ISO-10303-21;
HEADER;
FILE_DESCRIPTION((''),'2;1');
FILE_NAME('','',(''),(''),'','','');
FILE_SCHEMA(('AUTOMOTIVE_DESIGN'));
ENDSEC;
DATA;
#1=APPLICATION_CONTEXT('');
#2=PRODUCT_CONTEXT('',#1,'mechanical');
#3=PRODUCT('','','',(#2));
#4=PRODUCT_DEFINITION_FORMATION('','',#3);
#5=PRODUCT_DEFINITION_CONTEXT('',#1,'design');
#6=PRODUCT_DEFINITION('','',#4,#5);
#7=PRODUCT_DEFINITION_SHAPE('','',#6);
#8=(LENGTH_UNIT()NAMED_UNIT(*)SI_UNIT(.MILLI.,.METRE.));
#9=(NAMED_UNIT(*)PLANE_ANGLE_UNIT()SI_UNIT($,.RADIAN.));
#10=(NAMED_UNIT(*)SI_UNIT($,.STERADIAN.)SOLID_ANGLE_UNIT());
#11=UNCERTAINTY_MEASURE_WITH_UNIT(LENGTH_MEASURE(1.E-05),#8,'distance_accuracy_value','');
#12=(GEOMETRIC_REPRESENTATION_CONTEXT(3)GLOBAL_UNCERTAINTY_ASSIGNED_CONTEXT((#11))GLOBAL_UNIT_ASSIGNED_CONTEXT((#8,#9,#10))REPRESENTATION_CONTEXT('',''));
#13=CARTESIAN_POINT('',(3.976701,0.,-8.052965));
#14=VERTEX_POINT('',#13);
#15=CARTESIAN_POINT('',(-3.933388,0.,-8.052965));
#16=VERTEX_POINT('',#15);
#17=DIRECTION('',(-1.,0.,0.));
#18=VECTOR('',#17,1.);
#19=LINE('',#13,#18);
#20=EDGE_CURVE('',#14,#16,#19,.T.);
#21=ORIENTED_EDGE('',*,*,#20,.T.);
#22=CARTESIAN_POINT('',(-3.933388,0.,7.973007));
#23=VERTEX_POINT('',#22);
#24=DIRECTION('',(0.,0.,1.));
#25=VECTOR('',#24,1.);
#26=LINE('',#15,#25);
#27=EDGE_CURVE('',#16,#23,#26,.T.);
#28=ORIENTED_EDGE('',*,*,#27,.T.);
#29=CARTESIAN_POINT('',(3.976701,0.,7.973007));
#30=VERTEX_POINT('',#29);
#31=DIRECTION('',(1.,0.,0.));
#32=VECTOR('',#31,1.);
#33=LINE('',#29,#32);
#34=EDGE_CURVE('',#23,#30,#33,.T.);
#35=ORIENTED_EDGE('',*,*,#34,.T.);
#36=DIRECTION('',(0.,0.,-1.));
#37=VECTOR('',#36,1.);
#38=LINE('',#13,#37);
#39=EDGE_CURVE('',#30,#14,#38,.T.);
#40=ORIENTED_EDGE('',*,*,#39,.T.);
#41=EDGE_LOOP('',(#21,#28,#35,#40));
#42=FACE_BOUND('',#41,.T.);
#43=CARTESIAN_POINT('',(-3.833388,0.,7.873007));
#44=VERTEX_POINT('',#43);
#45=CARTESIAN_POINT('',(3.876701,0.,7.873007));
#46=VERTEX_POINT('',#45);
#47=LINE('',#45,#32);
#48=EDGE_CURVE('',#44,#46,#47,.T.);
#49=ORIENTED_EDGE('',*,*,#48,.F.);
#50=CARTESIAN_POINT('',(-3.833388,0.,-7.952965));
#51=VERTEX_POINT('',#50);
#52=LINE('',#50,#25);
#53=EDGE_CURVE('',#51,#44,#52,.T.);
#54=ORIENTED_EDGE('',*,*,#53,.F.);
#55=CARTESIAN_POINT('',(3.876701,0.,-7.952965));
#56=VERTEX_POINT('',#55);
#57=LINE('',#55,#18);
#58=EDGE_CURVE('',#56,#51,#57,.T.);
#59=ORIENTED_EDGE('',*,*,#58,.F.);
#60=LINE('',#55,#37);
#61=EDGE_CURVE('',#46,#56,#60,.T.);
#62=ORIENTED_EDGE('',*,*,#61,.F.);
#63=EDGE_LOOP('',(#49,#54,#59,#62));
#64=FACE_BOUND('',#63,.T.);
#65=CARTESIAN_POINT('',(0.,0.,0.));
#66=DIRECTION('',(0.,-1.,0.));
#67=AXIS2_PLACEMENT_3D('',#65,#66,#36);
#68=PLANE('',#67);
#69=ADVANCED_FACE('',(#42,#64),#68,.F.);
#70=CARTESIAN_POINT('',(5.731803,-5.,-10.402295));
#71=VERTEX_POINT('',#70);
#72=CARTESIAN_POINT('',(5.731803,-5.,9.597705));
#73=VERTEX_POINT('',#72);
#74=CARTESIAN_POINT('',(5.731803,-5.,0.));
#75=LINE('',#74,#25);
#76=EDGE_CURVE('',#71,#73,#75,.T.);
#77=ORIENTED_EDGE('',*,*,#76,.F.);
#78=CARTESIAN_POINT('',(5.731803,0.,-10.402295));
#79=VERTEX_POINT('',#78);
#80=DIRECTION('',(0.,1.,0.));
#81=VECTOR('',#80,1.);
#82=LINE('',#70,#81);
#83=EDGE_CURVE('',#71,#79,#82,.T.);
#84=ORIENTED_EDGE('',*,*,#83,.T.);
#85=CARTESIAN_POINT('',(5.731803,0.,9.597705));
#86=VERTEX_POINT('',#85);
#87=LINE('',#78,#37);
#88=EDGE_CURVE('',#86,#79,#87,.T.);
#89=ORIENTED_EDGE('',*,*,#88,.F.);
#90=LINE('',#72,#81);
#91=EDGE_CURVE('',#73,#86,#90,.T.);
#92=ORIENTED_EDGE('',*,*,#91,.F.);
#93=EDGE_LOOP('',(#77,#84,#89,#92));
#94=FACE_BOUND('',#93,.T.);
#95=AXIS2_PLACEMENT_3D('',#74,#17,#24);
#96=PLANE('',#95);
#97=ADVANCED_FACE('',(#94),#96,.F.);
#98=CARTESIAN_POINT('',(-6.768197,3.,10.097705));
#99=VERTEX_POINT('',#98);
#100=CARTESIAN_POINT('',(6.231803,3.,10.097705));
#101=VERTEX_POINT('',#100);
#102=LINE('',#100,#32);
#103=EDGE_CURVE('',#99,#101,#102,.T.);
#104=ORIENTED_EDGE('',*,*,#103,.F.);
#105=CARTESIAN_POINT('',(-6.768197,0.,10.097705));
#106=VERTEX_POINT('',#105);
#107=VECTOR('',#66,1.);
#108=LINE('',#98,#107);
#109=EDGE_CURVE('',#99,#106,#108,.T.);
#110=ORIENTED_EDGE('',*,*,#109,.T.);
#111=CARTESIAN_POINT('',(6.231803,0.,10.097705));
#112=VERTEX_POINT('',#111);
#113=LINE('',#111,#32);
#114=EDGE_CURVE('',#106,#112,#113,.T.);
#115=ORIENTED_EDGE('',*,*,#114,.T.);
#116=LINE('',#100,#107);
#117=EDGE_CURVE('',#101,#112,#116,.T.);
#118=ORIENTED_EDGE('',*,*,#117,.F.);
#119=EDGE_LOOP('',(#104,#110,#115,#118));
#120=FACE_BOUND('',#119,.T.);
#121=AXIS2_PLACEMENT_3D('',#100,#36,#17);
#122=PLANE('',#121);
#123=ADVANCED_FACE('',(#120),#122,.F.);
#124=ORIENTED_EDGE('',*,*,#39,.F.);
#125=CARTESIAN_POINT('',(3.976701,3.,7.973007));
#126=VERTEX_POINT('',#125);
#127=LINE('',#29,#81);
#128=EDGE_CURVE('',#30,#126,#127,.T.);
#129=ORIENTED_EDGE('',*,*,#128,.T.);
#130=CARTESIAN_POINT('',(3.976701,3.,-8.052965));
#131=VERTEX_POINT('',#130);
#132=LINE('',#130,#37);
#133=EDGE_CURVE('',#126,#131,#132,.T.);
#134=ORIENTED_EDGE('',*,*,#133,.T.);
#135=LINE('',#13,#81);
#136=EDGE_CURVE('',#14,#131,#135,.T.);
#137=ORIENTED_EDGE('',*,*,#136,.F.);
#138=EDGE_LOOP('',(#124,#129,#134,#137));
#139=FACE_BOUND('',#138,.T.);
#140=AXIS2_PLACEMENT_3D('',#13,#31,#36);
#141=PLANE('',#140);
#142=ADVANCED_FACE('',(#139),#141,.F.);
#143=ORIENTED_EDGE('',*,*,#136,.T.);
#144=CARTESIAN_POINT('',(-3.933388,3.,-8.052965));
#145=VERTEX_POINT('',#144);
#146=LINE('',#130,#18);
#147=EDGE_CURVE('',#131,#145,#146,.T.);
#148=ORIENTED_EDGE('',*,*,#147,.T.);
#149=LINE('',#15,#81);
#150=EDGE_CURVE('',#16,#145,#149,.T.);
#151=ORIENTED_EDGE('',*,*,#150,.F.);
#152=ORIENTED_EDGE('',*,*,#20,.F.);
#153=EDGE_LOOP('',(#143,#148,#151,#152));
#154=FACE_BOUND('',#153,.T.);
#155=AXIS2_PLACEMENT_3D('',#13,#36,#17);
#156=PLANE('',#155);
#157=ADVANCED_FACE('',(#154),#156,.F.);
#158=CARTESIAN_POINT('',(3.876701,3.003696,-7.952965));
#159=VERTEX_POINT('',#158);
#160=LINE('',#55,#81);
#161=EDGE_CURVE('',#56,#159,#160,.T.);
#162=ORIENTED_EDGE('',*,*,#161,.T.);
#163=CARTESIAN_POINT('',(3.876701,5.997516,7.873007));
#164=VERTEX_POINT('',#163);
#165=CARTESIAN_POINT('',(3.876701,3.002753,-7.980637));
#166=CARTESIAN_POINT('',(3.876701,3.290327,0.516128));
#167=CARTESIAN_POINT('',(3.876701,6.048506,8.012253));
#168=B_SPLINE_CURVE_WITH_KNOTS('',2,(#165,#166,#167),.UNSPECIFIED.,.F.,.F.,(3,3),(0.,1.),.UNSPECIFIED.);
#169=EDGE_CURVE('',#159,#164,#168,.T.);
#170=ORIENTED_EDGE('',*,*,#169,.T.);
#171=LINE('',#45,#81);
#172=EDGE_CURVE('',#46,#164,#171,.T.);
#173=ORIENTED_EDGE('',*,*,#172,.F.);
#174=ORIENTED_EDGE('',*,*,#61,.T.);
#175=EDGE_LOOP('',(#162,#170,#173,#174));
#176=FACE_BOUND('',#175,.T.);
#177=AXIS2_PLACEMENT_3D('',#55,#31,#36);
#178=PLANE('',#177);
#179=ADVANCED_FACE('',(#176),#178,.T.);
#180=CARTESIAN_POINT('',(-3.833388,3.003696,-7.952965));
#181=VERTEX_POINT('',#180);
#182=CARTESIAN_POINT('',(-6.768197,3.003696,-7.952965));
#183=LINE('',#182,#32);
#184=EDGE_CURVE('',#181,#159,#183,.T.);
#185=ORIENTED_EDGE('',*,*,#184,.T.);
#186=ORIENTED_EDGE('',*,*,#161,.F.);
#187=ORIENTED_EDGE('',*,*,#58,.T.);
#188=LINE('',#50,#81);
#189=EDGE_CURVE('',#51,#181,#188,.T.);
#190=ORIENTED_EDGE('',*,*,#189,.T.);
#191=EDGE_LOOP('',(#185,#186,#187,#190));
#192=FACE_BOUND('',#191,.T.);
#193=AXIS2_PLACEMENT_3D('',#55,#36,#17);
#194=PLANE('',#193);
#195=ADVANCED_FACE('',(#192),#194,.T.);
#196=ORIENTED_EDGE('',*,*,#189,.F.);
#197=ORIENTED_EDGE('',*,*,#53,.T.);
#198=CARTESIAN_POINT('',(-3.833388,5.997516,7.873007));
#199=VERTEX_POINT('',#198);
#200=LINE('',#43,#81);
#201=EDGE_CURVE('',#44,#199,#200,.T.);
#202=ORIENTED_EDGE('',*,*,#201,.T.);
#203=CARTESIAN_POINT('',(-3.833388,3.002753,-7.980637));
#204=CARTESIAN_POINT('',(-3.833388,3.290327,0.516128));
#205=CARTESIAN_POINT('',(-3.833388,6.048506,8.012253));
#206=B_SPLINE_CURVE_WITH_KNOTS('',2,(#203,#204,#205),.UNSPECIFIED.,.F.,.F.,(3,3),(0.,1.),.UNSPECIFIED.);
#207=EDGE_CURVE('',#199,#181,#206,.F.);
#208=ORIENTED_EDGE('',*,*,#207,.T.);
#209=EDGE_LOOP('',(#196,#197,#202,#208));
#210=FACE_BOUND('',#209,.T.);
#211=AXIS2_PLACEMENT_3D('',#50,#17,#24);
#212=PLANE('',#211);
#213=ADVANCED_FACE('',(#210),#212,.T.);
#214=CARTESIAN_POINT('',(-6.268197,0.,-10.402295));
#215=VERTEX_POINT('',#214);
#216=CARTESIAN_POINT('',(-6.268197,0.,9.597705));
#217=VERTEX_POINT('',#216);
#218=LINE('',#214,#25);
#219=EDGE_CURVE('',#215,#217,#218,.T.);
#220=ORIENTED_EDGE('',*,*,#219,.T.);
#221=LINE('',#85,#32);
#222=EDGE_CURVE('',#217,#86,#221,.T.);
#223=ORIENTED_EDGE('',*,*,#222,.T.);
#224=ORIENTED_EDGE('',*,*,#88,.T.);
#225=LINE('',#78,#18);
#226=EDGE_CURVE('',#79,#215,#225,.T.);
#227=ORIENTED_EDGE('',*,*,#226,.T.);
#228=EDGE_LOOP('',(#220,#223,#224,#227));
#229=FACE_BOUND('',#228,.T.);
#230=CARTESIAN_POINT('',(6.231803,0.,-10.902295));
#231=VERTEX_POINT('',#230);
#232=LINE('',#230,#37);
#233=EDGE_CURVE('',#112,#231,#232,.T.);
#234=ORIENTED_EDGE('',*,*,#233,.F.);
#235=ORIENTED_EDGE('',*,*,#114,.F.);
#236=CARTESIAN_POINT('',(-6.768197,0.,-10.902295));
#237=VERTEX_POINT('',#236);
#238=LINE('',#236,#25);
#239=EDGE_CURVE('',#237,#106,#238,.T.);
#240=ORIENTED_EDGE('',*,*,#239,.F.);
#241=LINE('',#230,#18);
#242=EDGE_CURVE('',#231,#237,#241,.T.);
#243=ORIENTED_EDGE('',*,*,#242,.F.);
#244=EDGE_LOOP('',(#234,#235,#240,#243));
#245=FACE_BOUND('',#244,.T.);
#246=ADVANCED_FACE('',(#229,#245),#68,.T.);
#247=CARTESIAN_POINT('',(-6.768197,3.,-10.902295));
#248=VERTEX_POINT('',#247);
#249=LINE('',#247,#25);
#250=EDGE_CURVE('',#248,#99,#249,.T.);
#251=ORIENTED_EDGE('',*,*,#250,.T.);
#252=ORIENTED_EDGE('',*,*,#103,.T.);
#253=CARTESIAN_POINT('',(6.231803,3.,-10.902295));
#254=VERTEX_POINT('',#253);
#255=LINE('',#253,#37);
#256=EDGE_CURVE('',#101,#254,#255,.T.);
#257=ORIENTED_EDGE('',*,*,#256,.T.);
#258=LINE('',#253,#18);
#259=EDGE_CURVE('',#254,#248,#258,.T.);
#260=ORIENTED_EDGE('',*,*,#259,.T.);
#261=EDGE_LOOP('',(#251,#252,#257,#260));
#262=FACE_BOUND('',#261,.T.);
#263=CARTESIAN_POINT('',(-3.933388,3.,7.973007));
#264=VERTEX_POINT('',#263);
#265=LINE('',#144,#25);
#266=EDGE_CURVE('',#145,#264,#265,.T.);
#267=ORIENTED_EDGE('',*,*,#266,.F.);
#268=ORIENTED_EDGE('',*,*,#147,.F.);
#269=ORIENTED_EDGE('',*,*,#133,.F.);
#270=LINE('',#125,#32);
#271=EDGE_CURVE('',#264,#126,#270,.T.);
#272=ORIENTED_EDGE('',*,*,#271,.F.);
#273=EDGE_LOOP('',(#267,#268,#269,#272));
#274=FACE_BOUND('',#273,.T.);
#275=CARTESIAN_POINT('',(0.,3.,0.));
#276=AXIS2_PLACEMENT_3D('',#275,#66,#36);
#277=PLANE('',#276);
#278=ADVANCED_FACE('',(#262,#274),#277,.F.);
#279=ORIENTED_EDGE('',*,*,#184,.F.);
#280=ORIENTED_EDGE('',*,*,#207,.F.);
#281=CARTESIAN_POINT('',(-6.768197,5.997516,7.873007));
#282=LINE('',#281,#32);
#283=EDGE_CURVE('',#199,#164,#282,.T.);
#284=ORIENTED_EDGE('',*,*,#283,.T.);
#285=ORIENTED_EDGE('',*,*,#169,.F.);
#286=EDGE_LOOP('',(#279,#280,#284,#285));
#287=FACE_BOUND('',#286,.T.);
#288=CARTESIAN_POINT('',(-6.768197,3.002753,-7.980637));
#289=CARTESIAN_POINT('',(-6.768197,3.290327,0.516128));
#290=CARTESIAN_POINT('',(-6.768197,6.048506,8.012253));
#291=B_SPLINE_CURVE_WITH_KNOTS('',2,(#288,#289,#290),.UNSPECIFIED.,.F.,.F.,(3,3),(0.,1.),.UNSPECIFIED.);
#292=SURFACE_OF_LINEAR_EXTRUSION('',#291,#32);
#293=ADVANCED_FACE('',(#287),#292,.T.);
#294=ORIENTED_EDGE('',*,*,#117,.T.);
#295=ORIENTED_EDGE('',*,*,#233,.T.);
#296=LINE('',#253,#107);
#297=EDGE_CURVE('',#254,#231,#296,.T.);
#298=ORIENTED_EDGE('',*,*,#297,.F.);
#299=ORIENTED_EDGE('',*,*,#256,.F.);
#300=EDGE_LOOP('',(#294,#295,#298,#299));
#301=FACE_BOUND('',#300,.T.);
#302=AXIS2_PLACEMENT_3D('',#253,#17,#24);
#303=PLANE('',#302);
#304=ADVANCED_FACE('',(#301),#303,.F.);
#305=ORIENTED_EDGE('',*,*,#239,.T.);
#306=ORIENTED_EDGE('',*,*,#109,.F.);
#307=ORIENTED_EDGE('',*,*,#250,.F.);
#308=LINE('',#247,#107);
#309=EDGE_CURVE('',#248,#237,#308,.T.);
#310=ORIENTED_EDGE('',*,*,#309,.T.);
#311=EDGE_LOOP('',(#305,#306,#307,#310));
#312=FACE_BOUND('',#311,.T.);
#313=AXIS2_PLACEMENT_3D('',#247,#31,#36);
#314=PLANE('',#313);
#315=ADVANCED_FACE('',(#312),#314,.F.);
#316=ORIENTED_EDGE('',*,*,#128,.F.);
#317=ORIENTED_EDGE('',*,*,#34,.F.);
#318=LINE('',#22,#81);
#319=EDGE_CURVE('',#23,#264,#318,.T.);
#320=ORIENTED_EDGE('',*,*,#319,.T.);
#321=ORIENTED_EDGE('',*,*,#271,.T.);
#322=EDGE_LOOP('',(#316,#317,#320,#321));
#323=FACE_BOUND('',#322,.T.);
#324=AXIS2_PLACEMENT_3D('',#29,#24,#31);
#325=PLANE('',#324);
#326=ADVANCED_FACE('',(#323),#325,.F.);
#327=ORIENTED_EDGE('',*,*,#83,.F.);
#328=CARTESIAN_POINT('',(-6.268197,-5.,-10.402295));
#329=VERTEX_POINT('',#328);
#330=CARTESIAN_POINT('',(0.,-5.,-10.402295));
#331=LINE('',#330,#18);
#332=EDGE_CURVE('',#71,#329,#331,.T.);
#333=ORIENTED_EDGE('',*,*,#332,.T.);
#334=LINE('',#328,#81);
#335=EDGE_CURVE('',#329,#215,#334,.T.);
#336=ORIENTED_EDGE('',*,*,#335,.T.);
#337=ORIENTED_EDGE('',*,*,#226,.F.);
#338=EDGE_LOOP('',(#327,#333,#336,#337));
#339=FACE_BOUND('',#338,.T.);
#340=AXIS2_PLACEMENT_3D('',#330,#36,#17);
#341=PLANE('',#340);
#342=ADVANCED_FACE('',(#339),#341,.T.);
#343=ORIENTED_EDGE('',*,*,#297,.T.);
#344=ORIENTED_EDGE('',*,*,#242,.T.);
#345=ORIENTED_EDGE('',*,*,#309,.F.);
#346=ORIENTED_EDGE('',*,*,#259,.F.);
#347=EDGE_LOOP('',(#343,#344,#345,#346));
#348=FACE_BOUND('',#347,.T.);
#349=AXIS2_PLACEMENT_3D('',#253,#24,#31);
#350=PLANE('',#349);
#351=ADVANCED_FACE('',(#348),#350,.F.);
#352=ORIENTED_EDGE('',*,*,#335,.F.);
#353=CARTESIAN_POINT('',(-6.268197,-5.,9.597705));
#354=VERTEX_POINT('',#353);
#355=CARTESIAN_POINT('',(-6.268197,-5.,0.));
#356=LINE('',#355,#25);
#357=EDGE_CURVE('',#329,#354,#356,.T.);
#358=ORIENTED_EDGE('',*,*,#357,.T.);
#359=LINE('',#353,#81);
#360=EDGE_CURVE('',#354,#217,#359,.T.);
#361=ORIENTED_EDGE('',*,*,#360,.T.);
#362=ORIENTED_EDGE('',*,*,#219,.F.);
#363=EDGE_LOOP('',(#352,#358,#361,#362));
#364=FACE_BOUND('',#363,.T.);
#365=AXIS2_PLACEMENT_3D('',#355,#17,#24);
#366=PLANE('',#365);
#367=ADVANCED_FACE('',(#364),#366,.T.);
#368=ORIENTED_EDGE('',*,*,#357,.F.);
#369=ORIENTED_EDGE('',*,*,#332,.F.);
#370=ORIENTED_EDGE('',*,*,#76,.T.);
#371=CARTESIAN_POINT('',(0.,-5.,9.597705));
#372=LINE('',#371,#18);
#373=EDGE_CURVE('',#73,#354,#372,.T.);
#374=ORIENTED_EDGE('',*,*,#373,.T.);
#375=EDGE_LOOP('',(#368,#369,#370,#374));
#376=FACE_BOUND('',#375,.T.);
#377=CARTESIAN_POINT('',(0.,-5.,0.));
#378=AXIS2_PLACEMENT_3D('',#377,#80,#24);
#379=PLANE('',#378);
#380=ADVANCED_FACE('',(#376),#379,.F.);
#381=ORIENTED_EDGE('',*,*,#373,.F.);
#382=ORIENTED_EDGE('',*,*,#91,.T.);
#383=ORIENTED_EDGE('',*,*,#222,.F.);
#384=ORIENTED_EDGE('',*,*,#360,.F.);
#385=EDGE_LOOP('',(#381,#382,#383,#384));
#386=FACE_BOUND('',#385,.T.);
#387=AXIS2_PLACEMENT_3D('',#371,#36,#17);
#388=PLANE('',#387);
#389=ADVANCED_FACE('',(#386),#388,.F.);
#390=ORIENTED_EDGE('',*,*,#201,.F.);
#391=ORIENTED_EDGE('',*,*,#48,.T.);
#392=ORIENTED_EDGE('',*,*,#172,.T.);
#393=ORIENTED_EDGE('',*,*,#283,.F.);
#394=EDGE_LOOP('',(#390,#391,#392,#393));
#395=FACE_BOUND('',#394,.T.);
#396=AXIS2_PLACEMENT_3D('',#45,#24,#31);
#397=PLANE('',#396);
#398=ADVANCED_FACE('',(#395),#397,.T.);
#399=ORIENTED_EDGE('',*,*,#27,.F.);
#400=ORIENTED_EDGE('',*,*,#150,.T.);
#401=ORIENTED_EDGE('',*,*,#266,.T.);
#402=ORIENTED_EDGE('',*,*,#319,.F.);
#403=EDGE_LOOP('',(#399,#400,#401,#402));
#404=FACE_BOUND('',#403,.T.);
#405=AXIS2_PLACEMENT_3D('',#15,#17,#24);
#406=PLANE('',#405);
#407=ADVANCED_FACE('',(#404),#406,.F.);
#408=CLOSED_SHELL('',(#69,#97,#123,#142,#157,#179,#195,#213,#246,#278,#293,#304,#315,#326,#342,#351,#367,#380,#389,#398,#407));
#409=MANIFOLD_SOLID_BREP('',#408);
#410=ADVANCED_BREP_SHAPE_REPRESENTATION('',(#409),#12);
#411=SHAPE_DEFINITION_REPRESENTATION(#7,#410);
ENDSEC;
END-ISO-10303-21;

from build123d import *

# Parameters (mm, degrees)
SKETCH2_W                = 13
SKETCH2_H                = 21
SKETCH2_W_2              = 12
SKETCH2_H_2              = 20
BOSS_EXTRUDE1_DEPTH      = 3
BOSS_EXTRUDE2_DEPTH      = 3
BOSS_EXTRUDE2_DEPTH_BACK = 5
SKETCH2_2_W              = 12
SKETCH2_2_H              = 20
SKETCH3_W                = 7.910089125
SKETCH3_H                = 16.025972414
SKETCH3_W_2              = 7.710089125
SKETCH3_H_2              = 15.825972414
CUT_EXTRUDE1_DEPTH       = 3
SKETCH3_2_W              = 7.710089125
SKETCH3_2_H              = 15.825972414
BOSS_EXTRUDE3_DEPTH      = 3
CUT_EXTRUDE2_DEPTH       = 17.376015533


with BuildPart() as part:
    # Sketch2 → Boss-Extrude1 (new body)
    with BuildSketch(Plane(origin=(0, 0, 0), x_dir=(1, 0, 0), z_dir=(0, 1, 0))):
        with Locations((-0.268196817, 0.402295225)):
            Rectangle(SKETCH2_W, SKETCH2_H)
        with Locations((-0.268196817, 0.402295225)):
            Rectangle(SKETCH2_W_2, SKETCH2_H_2, mode=Mode.SUBTRACT)
    extrude(amount=BOSS_EXTRUDE1_DEPTH)

    # Sketch2<2> → Boss-Extrude2 (add, two sides: drawn at the far end of the back side and taken through both)
    with BuildSketch(Plane(origin=(0, 0, 0), x_dir=(1, 0, 0), z_dir=(0, 1, 0)).offset(-BOSS_EXTRUDE2_DEPTH_BACK)):
        with Locations((-0.268196817, 0.402295225)):
            Rectangle(SKETCH2_2_W, SKETCH2_2_H)
    extrude(amount=BOSS_EXTRUDE2_DEPTH + BOSS_EXTRUDE2_DEPTH_BACK)

    # Sketch3 → Cut-Extrude1 (cut)
    with BuildSketch(Plane(origin=(0, 3, 0), x_dir=(1, 0, 0), z_dir=(0, 1, 0))):
        with Locations((0.021656158, 0.039979007)):
            Rectangle(SKETCH3_W, SKETCH3_H)
        with Locations((0.021656157, 0.039979007)):
            Rectangle(SKETCH3_W_2, SKETCH3_H_2, mode=Mode.SUBTRACT)
    extrude(amount=-CUT_EXTRUDE1_DEPTH, mode=Mode.SUBTRACT)

    # Sketch3<2> → Boss-Extrude3 (add)
    with BuildSketch(Plane(origin=(0, 3, 0), x_dir=(1, 0, 0), z_dir=(0, 1, 0))):
        with Locations((0.021656157, 0.039979007)):
            Rectangle(SKETCH3_2_W, SKETCH3_2_H)
    extrude(amount=BOSS_EXTRUDE3_DEPTH)

    # Sketch5 → Cut-Extrude2 (cut, through all)
    with BuildSketch(Plane(origin=(3.87670072, 0, 0), x_dir=(0, 0, -1), z_dir=(1, 0, 0))):
        with BuildLine():
            add(Edge.make_bspline(
                [(7.952965214, 3.003696013), (-0.44948354, 3.292111909), (-7.8730072, 5.997516068)],
                knots=[0.001628514, 0.001628514, 0.001628514, 0.990717924, 0.990717924, 0.990717924], degree=2))
            Line((7.952965214, 3.003696013), (7.952965214, 6))
            Line((7.952965214, 6), (-7.8730072, 6))
            Line((-7.8730072, 6), (-7.8730072, 5.997516068))
        make_face()
    extrude(amount=-CUT_EXTRUDE2_DEPTH, mode=Mode.SUBTRACT)


solid = part.part
